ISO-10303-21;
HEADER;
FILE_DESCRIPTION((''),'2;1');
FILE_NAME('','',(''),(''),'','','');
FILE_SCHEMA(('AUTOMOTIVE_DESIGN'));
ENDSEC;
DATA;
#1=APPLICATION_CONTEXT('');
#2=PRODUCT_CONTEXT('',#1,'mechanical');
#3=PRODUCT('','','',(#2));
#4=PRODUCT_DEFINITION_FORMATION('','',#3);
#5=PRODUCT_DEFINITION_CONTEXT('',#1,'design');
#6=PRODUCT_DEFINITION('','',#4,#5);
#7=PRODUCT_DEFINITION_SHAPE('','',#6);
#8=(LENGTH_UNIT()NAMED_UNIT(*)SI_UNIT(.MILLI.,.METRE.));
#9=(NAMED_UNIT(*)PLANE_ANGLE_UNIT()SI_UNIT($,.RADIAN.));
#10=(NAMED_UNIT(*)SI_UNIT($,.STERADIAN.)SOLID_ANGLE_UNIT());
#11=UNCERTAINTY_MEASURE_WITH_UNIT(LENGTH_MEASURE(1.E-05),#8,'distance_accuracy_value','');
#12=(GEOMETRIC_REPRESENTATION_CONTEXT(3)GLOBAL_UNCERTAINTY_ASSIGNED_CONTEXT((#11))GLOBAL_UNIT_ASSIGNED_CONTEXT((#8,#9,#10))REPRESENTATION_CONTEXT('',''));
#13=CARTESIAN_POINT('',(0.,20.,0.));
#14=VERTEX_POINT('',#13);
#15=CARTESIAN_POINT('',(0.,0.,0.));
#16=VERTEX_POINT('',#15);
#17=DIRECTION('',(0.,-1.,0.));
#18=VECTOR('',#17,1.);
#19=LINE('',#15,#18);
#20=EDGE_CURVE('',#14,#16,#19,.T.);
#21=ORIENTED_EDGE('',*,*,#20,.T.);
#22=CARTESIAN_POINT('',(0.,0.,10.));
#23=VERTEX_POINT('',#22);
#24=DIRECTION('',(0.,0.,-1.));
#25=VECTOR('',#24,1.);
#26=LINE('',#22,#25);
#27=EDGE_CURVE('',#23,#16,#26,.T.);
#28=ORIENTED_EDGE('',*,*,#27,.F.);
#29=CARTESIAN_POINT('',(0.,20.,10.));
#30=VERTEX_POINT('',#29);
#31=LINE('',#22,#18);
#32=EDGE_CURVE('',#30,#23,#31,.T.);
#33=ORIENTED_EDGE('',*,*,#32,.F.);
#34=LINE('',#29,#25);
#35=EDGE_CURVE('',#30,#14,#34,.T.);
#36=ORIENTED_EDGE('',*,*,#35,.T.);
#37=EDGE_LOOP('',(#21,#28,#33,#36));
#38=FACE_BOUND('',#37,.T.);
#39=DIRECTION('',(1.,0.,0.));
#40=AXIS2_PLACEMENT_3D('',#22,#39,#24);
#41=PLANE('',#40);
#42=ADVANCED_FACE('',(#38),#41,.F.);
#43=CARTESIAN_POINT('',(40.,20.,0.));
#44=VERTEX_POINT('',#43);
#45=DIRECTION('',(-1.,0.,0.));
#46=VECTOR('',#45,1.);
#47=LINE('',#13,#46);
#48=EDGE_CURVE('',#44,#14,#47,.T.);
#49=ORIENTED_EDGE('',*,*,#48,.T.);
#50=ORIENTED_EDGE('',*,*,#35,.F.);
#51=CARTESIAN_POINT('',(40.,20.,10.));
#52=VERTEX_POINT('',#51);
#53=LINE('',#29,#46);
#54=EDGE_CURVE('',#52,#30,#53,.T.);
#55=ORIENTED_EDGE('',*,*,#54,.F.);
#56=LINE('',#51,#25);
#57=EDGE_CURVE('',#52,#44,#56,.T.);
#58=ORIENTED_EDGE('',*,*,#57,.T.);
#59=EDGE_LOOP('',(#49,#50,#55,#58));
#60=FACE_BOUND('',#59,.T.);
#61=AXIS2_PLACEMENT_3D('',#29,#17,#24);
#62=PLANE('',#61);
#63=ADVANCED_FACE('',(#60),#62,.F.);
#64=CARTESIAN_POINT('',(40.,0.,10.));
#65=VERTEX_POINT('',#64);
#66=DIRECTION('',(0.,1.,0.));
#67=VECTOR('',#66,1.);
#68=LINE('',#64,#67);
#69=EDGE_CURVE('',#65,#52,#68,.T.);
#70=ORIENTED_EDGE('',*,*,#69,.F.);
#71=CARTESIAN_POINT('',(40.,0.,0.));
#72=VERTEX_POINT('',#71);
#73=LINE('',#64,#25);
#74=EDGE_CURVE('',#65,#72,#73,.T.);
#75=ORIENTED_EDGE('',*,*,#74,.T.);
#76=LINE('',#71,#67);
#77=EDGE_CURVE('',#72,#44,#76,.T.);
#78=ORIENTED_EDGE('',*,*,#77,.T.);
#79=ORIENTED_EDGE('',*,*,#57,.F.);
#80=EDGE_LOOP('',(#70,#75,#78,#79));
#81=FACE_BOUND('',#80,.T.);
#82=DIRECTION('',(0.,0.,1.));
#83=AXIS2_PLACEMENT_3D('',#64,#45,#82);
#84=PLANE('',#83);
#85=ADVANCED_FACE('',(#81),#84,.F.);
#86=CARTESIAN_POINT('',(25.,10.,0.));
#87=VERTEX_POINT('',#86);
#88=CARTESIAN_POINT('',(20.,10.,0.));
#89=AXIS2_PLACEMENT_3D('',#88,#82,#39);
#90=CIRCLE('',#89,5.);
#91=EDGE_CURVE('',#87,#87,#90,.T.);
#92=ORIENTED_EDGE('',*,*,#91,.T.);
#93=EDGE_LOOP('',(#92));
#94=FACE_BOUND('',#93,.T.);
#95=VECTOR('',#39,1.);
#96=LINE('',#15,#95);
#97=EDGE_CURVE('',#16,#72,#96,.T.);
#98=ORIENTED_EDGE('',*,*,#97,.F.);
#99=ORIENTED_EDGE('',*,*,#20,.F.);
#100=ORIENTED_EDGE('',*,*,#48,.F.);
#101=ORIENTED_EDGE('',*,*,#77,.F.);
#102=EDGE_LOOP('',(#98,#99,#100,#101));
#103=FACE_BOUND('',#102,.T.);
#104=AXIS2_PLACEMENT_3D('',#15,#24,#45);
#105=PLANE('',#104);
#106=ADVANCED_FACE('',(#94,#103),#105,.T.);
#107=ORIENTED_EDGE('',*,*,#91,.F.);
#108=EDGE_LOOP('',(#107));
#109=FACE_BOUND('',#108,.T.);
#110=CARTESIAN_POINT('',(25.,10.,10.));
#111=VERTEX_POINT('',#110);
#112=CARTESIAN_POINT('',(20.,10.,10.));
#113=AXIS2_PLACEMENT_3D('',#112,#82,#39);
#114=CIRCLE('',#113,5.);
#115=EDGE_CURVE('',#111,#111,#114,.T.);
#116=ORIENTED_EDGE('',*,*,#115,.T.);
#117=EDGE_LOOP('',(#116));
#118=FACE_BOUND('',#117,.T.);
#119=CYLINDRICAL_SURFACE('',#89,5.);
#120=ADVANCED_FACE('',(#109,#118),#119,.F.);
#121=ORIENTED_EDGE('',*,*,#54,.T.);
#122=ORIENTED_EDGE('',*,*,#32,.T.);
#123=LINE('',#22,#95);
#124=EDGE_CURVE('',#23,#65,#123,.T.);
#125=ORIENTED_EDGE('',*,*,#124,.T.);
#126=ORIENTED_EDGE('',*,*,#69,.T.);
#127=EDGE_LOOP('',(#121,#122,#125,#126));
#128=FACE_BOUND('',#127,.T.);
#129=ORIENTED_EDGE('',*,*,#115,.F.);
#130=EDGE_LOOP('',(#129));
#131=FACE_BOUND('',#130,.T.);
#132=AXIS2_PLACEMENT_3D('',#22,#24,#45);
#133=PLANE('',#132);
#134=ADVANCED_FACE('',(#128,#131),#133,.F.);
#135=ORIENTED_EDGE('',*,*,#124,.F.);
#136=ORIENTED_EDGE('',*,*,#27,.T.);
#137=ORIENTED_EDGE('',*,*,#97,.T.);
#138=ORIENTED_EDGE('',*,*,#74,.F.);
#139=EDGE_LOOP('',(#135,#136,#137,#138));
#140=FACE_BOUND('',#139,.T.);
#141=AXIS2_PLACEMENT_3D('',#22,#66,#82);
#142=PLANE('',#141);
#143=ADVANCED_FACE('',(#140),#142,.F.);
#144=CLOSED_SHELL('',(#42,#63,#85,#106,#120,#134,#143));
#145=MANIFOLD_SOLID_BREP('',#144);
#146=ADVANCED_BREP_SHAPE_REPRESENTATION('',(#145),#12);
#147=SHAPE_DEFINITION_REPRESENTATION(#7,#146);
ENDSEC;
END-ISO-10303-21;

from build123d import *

# Parameters (mm, degrees)
SKETCH1_W           = 40
SKETCH1_H           = 20
BOSS_EXTRUDE1_DEPTH = 10
SKETCH2_R           = 5
CUT_EXTRUDE1_DEPTH  = 46.82575695


with BuildPart() as part:
    # Sketch1 → Boss-Extrude1 (new body)
    with BuildSketch(Plane.XY):
        with Locations((20, 10)):
            Rectangle(SKETCH1_W, SKETCH1_H)
    extrude(amount=BOSS_EXTRUDE1_DEPTH)

    # Sketch2 → Cut-Extrude1 (cut, through all)
    with BuildSketch(Plane.XY.offset(10)):
        with Locations((20, 10)):
            Circle(SKETCH2_R)
    extrude(amount=-CUT_EXTRUDE1_DEPTH, mode=Mode.SUBTRACT)


solid = part.part
